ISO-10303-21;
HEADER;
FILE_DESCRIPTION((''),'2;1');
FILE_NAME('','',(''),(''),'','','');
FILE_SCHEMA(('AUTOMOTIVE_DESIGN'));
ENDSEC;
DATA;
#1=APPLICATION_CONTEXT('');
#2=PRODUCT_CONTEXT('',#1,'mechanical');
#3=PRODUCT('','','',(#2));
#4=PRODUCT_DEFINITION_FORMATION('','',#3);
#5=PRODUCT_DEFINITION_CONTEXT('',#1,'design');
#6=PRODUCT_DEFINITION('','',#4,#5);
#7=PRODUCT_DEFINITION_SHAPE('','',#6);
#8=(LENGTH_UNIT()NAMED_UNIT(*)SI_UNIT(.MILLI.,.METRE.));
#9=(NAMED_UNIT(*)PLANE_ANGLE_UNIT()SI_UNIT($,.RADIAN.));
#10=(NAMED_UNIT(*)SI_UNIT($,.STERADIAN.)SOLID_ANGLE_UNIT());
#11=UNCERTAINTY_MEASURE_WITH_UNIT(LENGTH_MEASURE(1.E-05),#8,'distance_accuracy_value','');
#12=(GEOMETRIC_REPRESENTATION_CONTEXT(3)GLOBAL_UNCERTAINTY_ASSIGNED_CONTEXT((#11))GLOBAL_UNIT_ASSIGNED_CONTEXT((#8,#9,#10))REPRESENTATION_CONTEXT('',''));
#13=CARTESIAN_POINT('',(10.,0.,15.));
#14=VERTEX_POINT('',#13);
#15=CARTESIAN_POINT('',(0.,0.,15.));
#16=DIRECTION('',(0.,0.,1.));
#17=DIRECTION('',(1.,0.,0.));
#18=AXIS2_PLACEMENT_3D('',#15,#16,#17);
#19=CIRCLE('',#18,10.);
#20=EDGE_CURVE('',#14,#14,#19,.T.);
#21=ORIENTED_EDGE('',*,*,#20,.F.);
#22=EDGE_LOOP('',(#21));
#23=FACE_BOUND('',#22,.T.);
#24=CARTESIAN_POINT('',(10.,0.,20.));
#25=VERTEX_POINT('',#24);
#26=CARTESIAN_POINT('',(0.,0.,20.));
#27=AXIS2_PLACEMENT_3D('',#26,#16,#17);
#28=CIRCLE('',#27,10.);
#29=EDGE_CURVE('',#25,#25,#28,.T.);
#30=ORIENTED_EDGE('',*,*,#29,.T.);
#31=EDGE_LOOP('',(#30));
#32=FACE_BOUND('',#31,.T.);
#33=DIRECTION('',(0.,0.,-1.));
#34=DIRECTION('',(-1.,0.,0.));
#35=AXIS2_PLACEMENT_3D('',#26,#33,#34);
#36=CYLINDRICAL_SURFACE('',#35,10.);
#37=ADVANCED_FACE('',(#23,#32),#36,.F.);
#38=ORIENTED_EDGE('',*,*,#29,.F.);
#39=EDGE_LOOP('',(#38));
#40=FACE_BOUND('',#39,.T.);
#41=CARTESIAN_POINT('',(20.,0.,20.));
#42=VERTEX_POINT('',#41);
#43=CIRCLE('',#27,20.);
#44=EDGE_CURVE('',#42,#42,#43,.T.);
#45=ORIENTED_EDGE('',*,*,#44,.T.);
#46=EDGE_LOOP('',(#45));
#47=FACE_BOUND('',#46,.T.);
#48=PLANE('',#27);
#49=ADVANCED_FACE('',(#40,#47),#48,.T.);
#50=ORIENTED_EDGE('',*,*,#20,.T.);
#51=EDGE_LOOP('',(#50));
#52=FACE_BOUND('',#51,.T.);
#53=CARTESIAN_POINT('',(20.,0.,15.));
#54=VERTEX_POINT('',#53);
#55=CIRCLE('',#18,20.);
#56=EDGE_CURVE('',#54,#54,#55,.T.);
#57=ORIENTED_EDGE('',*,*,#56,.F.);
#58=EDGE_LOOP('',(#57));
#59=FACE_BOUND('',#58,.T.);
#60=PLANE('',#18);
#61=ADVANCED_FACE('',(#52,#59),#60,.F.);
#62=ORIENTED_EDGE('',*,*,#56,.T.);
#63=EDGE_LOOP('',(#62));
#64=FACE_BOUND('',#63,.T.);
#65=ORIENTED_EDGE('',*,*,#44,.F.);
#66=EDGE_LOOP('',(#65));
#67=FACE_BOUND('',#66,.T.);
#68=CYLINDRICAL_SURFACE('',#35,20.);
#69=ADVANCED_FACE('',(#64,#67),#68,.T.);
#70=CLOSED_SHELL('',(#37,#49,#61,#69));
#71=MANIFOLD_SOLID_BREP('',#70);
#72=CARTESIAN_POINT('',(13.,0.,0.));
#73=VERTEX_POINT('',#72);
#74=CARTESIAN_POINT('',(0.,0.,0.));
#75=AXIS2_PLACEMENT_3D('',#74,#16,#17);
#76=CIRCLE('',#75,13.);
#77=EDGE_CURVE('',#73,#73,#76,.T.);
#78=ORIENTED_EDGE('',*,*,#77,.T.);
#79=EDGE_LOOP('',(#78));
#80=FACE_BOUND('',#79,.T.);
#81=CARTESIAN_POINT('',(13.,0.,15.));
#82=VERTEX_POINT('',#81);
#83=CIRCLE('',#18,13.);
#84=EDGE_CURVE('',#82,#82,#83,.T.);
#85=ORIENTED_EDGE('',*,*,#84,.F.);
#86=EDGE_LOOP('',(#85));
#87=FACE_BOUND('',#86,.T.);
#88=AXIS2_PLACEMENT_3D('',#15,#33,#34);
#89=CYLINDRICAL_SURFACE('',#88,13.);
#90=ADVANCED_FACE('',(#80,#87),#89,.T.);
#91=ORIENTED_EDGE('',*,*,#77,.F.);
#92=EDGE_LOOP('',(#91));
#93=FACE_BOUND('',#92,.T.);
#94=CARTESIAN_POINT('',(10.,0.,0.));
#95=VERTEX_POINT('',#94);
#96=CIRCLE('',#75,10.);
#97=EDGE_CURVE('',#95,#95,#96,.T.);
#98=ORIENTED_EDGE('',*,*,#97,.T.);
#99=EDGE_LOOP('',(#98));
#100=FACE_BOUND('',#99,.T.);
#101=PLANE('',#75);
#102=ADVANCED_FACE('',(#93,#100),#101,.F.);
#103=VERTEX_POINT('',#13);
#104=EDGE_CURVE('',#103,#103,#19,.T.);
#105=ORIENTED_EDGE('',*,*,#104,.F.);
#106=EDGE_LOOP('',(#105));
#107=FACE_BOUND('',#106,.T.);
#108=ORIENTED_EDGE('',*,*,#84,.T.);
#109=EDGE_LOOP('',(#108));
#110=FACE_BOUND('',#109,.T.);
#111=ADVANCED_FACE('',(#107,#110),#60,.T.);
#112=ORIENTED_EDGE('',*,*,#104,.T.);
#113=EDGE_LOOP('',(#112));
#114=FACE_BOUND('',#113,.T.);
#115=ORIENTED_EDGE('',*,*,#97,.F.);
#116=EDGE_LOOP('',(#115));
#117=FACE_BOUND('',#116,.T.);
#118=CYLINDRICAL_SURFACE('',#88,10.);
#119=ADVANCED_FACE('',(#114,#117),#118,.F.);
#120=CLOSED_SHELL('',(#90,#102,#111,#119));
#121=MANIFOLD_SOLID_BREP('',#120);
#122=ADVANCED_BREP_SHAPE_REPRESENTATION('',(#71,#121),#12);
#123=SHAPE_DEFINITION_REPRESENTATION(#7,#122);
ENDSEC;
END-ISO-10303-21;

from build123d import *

# Parameters (mm, degrees)
SKETCH1_R           = 13
SKETCH1_R_2         = 10
BOSS_EXTRUDE1_DEPTH = 15
SKETCH2_R           = 20
SKETCH2_R_2         = 10
BOSS_EXTRUDE2_DEPTH = 5


with BuildPart() as part:
    # Sketch1 → Boss-Extrude1 (new body)
    with BuildSketch(Plane.XY):
        Circle(SKETCH1_R)
        Circle(SKETCH1_R_2, mode=Mode.SUBTRACT)
    extrude(amount=BOSS_EXTRUDE1_DEPTH)


with BuildPart() as body_2:
    # Sketch2 → Boss-Extrude2 (new body)
    with BuildSketch(Plane.XY.offset(15)):
        Circle(SKETCH2_R)
        Circle(SKETCH2_R_2, mode=Mode.SUBTRACT)
    extrude(amount=BOSS_EXTRUDE2_DEPTH)


solid = Compound([part.part, body_2.part])
